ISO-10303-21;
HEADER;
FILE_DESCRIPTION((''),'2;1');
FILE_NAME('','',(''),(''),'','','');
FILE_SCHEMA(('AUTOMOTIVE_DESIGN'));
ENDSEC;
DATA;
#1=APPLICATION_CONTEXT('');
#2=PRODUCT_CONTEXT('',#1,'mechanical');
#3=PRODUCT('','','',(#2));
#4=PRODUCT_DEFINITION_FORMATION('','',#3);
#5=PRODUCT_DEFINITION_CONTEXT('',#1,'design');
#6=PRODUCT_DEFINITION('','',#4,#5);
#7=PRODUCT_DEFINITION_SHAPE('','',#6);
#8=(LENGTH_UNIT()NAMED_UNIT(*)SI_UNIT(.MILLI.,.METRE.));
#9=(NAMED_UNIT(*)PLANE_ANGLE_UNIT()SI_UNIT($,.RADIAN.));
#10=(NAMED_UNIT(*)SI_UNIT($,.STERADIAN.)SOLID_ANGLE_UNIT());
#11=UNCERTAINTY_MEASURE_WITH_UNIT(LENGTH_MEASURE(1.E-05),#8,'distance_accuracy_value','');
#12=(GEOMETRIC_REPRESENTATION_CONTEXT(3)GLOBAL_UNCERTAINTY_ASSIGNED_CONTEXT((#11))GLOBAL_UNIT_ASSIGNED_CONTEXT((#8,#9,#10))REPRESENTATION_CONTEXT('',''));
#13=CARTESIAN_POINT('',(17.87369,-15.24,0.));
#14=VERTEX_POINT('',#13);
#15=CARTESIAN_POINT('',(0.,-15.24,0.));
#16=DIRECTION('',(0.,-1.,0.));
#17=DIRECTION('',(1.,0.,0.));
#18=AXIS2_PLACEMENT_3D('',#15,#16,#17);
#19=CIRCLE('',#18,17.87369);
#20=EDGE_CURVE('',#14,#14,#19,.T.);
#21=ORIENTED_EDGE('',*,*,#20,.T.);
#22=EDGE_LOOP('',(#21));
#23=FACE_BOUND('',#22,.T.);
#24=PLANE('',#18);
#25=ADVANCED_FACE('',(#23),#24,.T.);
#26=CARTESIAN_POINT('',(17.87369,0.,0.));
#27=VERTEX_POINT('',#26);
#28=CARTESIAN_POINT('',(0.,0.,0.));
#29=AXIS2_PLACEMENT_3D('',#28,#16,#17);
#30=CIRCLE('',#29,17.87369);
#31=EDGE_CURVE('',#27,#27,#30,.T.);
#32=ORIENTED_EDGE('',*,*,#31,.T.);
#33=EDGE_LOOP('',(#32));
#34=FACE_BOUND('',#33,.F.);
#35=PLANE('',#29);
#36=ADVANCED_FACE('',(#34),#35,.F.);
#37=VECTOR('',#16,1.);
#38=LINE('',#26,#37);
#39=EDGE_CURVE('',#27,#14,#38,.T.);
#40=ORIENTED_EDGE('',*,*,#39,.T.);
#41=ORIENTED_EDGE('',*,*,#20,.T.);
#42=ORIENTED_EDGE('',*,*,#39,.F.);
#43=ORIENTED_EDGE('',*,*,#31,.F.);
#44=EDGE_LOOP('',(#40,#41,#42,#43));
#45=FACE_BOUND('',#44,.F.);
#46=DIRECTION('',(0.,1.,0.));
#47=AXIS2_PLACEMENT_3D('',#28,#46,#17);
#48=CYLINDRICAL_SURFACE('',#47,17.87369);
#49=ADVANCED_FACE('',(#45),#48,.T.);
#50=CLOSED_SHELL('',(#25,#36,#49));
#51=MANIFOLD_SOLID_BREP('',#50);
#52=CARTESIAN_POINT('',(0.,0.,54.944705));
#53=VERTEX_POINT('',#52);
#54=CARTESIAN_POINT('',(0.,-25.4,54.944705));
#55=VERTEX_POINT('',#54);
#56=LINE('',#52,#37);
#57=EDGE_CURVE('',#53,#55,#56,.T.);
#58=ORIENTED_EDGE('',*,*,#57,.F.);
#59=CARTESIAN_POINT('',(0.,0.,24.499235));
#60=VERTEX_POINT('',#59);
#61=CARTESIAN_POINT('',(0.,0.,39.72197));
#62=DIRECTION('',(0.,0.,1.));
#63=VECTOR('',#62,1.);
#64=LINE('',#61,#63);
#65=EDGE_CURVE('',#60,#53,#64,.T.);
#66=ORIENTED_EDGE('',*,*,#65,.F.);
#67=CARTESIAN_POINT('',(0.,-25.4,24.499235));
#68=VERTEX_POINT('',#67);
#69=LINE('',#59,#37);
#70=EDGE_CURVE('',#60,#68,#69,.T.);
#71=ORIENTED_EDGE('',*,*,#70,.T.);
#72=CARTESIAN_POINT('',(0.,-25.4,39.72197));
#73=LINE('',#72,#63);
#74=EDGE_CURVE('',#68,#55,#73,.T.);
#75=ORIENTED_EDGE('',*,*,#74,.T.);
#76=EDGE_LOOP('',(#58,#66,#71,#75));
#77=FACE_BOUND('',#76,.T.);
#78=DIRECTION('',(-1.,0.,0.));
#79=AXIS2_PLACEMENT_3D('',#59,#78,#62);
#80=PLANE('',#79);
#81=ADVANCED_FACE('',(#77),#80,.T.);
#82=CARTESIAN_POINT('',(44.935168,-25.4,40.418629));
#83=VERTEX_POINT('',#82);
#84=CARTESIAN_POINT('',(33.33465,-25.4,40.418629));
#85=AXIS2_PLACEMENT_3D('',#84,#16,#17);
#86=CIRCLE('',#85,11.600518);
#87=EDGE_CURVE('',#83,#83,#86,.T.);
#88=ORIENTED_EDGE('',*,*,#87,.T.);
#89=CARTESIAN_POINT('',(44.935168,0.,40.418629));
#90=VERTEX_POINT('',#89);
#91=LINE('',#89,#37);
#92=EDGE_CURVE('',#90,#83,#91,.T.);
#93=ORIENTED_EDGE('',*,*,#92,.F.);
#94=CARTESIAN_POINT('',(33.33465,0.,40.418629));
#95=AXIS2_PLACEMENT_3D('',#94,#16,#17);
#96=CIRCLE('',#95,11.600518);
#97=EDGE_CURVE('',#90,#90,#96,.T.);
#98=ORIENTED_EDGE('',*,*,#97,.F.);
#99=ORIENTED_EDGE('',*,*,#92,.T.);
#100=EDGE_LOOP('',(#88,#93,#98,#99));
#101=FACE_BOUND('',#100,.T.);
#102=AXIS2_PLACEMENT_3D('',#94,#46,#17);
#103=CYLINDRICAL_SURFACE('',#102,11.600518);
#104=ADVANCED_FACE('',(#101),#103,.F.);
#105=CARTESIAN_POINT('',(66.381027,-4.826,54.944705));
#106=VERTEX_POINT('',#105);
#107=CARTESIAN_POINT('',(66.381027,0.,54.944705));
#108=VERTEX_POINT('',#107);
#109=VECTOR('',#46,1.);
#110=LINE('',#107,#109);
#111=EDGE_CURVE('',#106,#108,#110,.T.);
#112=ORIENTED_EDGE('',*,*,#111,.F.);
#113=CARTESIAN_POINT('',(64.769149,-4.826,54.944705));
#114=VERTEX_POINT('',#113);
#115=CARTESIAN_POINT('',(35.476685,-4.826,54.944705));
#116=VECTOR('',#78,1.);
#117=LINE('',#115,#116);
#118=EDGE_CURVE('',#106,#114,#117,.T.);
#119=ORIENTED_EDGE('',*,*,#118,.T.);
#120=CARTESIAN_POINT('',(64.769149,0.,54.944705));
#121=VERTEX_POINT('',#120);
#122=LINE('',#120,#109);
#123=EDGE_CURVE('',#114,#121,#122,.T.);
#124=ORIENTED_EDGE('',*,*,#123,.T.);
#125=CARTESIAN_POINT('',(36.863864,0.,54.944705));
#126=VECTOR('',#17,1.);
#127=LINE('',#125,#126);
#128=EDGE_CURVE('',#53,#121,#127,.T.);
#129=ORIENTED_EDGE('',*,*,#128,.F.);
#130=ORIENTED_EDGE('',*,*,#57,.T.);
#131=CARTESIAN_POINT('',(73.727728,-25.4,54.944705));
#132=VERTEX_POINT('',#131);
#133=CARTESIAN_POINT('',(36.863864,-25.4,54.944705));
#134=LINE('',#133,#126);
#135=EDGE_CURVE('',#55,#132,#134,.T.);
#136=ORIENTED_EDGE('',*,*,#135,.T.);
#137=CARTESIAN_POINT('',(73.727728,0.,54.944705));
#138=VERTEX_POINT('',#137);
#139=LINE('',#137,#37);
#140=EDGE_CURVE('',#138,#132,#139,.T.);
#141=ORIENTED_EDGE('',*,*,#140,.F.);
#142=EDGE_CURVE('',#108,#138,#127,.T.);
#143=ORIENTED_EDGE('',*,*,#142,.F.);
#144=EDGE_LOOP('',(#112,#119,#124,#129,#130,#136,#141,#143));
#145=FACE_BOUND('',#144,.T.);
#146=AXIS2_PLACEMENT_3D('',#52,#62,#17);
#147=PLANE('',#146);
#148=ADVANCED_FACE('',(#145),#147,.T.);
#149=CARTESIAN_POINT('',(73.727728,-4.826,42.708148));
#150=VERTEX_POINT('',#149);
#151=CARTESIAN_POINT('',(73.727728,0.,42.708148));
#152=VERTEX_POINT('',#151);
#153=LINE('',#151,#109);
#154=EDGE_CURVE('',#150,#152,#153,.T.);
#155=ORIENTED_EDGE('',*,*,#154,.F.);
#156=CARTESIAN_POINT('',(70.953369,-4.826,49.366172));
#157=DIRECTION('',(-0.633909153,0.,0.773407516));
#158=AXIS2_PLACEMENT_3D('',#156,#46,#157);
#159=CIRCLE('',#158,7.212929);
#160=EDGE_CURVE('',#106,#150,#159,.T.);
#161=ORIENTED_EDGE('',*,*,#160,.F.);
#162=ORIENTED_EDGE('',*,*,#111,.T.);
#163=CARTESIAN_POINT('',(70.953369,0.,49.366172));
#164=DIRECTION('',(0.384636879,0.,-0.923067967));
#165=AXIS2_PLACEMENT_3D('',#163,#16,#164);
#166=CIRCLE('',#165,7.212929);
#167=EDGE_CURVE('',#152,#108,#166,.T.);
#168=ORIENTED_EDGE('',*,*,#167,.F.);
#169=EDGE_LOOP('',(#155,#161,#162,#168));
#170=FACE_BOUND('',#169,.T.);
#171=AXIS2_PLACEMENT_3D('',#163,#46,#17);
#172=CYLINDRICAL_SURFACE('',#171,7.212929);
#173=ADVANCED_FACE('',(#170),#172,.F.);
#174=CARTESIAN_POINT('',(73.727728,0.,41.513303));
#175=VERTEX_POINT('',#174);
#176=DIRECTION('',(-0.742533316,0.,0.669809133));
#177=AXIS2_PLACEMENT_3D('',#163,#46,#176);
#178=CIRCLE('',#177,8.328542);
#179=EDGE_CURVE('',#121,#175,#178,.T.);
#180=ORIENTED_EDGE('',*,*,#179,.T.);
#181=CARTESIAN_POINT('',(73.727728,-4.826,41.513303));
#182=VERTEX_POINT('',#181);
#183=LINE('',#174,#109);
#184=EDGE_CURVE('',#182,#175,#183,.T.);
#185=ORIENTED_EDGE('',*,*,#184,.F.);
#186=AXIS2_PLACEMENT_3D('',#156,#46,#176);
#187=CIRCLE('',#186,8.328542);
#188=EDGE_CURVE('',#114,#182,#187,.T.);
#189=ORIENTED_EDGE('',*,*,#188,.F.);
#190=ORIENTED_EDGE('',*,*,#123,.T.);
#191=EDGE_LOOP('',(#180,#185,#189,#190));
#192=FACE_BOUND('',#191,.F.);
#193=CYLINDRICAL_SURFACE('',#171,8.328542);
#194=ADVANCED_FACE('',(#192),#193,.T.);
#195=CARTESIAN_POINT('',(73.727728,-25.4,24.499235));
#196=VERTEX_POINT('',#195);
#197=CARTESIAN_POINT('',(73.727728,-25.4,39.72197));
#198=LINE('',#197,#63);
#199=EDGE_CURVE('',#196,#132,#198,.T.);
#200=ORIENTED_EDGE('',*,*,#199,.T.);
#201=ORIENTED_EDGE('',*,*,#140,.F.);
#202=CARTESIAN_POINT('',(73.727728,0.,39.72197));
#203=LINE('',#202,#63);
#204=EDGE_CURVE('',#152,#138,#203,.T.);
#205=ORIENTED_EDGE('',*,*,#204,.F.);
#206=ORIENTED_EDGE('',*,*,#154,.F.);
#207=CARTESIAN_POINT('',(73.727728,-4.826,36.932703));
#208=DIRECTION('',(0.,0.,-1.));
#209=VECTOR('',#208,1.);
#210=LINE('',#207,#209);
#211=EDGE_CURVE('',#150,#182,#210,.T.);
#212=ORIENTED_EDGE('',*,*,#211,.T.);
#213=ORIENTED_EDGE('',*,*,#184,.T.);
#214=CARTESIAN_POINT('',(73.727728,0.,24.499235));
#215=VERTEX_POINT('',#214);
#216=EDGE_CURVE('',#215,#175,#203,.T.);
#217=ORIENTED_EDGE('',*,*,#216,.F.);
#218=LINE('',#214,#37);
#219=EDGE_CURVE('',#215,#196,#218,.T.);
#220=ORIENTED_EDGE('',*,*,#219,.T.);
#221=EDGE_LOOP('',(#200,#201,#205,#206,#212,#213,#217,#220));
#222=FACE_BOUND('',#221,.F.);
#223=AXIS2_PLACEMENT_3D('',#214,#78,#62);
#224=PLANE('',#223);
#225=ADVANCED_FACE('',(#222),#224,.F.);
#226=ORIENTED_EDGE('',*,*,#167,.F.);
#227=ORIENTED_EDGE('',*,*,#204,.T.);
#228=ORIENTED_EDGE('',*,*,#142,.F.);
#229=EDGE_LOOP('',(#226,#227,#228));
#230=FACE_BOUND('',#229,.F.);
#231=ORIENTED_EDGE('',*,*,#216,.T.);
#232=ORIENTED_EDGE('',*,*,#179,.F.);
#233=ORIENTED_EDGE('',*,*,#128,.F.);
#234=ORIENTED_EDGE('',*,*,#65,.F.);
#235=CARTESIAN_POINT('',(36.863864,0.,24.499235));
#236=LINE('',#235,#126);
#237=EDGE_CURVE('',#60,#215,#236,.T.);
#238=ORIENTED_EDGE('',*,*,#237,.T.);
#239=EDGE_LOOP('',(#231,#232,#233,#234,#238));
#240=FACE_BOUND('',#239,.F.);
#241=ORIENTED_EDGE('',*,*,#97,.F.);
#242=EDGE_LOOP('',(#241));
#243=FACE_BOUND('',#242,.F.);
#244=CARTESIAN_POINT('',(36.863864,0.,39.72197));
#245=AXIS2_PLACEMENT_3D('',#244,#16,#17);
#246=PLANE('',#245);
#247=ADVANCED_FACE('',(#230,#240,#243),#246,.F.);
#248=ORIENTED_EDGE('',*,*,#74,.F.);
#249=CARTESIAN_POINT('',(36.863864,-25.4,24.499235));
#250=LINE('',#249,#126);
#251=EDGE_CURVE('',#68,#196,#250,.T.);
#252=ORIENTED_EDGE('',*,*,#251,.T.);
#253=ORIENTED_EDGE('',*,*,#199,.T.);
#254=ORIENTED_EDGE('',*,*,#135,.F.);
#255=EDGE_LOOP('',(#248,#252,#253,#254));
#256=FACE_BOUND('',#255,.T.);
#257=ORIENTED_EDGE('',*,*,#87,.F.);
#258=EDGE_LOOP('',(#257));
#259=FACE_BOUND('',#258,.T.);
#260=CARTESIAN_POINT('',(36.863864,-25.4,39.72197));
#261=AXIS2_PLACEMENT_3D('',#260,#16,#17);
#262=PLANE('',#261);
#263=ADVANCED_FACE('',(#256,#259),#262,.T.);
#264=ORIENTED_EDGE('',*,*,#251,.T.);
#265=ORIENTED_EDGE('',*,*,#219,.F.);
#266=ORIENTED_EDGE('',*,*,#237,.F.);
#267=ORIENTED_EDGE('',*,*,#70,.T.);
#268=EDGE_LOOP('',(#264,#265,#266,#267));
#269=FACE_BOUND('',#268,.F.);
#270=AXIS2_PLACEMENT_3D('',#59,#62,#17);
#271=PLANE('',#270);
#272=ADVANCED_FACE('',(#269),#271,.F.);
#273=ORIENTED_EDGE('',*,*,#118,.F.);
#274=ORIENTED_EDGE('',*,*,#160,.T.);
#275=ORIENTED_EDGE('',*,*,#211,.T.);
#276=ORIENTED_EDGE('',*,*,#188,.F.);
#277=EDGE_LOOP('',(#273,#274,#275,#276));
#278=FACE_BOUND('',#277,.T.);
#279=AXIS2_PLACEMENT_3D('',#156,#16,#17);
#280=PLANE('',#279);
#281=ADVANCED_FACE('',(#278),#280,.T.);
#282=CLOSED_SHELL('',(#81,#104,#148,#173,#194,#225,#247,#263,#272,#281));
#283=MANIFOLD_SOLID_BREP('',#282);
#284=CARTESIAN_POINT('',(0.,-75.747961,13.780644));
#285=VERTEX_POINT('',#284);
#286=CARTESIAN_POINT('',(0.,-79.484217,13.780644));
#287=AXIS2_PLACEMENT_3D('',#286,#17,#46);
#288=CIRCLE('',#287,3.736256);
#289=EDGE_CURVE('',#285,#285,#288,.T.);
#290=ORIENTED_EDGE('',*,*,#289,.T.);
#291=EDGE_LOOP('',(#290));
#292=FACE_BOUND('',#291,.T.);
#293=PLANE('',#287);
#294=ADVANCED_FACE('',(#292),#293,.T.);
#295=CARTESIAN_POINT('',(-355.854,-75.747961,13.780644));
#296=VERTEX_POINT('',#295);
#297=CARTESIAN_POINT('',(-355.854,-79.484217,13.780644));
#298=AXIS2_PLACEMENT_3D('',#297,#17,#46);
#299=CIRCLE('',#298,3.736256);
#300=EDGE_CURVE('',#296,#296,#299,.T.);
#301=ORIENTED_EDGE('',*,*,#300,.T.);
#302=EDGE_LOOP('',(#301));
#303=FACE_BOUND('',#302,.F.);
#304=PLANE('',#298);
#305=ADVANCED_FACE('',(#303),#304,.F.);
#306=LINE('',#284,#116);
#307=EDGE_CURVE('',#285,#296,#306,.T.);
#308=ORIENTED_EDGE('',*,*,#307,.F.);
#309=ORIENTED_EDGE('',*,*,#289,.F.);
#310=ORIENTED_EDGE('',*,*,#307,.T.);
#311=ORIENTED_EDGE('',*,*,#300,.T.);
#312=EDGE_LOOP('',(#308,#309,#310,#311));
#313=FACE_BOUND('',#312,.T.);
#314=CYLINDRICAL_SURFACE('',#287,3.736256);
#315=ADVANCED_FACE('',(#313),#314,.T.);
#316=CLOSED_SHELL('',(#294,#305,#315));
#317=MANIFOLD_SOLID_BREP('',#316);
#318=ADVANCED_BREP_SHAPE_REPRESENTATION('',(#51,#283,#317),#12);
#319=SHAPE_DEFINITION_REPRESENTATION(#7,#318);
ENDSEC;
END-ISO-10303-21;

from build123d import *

# Parameters (mm, degrees)
F0_R     = 3.736256
F1_DEPTH = 355.854
F2_R     = 8.328542
F2_R_2   = 7.212929
F3_DEPTH = 4.826
F4_W     = 73.727727
F4_H     = 30.445471
F4_R     = 11.600518
F5_DEPTH = 25.4
F6_R     = 17.87369
F7_DEPTH = 15.24


with BuildPart() as f1:
    # F0 (on Right) → F1 (new body)
    with BuildSketch(Plane.YZ):
        with Locations((-79.484217, 13.780644)):
            Circle(F0_R)
    extrude(amount=-F1_DEPTH)


with BuildPart() as f3:
    # F2 (on Front) → F3 (new body)
    with BuildSketch(Plane.XZ):
        with Locations((70.953369, 49.366172)):
            Circle(F2_R)
        with Locations((70.953369, 49.366172)):
            Circle(F2_R_2, mode=Mode.SUBTRACT)
    extrude(amount=F3_DEPTH)

    # F4 (on Front) → F5 (join)
    with BuildSketch(Plane.XZ):
        with Locations((36.863864, 39.72197)):
            Rectangle(F4_W, F4_H)
        with Locations((33.33465, 40.418629)):
            Circle(F4_R, mode=Mode.SUBTRACT)
    extrude(amount=F5_DEPTH)


with BuildPart() as f7:
    # F6 (on Front) → F7 (new body)
    with BuildSketch(Plane.XZ):
        Circle(F6_R)
    extrude(amount=F7_DEPTH)


solid = Compound([f1.part, f3.part, f7.part])
